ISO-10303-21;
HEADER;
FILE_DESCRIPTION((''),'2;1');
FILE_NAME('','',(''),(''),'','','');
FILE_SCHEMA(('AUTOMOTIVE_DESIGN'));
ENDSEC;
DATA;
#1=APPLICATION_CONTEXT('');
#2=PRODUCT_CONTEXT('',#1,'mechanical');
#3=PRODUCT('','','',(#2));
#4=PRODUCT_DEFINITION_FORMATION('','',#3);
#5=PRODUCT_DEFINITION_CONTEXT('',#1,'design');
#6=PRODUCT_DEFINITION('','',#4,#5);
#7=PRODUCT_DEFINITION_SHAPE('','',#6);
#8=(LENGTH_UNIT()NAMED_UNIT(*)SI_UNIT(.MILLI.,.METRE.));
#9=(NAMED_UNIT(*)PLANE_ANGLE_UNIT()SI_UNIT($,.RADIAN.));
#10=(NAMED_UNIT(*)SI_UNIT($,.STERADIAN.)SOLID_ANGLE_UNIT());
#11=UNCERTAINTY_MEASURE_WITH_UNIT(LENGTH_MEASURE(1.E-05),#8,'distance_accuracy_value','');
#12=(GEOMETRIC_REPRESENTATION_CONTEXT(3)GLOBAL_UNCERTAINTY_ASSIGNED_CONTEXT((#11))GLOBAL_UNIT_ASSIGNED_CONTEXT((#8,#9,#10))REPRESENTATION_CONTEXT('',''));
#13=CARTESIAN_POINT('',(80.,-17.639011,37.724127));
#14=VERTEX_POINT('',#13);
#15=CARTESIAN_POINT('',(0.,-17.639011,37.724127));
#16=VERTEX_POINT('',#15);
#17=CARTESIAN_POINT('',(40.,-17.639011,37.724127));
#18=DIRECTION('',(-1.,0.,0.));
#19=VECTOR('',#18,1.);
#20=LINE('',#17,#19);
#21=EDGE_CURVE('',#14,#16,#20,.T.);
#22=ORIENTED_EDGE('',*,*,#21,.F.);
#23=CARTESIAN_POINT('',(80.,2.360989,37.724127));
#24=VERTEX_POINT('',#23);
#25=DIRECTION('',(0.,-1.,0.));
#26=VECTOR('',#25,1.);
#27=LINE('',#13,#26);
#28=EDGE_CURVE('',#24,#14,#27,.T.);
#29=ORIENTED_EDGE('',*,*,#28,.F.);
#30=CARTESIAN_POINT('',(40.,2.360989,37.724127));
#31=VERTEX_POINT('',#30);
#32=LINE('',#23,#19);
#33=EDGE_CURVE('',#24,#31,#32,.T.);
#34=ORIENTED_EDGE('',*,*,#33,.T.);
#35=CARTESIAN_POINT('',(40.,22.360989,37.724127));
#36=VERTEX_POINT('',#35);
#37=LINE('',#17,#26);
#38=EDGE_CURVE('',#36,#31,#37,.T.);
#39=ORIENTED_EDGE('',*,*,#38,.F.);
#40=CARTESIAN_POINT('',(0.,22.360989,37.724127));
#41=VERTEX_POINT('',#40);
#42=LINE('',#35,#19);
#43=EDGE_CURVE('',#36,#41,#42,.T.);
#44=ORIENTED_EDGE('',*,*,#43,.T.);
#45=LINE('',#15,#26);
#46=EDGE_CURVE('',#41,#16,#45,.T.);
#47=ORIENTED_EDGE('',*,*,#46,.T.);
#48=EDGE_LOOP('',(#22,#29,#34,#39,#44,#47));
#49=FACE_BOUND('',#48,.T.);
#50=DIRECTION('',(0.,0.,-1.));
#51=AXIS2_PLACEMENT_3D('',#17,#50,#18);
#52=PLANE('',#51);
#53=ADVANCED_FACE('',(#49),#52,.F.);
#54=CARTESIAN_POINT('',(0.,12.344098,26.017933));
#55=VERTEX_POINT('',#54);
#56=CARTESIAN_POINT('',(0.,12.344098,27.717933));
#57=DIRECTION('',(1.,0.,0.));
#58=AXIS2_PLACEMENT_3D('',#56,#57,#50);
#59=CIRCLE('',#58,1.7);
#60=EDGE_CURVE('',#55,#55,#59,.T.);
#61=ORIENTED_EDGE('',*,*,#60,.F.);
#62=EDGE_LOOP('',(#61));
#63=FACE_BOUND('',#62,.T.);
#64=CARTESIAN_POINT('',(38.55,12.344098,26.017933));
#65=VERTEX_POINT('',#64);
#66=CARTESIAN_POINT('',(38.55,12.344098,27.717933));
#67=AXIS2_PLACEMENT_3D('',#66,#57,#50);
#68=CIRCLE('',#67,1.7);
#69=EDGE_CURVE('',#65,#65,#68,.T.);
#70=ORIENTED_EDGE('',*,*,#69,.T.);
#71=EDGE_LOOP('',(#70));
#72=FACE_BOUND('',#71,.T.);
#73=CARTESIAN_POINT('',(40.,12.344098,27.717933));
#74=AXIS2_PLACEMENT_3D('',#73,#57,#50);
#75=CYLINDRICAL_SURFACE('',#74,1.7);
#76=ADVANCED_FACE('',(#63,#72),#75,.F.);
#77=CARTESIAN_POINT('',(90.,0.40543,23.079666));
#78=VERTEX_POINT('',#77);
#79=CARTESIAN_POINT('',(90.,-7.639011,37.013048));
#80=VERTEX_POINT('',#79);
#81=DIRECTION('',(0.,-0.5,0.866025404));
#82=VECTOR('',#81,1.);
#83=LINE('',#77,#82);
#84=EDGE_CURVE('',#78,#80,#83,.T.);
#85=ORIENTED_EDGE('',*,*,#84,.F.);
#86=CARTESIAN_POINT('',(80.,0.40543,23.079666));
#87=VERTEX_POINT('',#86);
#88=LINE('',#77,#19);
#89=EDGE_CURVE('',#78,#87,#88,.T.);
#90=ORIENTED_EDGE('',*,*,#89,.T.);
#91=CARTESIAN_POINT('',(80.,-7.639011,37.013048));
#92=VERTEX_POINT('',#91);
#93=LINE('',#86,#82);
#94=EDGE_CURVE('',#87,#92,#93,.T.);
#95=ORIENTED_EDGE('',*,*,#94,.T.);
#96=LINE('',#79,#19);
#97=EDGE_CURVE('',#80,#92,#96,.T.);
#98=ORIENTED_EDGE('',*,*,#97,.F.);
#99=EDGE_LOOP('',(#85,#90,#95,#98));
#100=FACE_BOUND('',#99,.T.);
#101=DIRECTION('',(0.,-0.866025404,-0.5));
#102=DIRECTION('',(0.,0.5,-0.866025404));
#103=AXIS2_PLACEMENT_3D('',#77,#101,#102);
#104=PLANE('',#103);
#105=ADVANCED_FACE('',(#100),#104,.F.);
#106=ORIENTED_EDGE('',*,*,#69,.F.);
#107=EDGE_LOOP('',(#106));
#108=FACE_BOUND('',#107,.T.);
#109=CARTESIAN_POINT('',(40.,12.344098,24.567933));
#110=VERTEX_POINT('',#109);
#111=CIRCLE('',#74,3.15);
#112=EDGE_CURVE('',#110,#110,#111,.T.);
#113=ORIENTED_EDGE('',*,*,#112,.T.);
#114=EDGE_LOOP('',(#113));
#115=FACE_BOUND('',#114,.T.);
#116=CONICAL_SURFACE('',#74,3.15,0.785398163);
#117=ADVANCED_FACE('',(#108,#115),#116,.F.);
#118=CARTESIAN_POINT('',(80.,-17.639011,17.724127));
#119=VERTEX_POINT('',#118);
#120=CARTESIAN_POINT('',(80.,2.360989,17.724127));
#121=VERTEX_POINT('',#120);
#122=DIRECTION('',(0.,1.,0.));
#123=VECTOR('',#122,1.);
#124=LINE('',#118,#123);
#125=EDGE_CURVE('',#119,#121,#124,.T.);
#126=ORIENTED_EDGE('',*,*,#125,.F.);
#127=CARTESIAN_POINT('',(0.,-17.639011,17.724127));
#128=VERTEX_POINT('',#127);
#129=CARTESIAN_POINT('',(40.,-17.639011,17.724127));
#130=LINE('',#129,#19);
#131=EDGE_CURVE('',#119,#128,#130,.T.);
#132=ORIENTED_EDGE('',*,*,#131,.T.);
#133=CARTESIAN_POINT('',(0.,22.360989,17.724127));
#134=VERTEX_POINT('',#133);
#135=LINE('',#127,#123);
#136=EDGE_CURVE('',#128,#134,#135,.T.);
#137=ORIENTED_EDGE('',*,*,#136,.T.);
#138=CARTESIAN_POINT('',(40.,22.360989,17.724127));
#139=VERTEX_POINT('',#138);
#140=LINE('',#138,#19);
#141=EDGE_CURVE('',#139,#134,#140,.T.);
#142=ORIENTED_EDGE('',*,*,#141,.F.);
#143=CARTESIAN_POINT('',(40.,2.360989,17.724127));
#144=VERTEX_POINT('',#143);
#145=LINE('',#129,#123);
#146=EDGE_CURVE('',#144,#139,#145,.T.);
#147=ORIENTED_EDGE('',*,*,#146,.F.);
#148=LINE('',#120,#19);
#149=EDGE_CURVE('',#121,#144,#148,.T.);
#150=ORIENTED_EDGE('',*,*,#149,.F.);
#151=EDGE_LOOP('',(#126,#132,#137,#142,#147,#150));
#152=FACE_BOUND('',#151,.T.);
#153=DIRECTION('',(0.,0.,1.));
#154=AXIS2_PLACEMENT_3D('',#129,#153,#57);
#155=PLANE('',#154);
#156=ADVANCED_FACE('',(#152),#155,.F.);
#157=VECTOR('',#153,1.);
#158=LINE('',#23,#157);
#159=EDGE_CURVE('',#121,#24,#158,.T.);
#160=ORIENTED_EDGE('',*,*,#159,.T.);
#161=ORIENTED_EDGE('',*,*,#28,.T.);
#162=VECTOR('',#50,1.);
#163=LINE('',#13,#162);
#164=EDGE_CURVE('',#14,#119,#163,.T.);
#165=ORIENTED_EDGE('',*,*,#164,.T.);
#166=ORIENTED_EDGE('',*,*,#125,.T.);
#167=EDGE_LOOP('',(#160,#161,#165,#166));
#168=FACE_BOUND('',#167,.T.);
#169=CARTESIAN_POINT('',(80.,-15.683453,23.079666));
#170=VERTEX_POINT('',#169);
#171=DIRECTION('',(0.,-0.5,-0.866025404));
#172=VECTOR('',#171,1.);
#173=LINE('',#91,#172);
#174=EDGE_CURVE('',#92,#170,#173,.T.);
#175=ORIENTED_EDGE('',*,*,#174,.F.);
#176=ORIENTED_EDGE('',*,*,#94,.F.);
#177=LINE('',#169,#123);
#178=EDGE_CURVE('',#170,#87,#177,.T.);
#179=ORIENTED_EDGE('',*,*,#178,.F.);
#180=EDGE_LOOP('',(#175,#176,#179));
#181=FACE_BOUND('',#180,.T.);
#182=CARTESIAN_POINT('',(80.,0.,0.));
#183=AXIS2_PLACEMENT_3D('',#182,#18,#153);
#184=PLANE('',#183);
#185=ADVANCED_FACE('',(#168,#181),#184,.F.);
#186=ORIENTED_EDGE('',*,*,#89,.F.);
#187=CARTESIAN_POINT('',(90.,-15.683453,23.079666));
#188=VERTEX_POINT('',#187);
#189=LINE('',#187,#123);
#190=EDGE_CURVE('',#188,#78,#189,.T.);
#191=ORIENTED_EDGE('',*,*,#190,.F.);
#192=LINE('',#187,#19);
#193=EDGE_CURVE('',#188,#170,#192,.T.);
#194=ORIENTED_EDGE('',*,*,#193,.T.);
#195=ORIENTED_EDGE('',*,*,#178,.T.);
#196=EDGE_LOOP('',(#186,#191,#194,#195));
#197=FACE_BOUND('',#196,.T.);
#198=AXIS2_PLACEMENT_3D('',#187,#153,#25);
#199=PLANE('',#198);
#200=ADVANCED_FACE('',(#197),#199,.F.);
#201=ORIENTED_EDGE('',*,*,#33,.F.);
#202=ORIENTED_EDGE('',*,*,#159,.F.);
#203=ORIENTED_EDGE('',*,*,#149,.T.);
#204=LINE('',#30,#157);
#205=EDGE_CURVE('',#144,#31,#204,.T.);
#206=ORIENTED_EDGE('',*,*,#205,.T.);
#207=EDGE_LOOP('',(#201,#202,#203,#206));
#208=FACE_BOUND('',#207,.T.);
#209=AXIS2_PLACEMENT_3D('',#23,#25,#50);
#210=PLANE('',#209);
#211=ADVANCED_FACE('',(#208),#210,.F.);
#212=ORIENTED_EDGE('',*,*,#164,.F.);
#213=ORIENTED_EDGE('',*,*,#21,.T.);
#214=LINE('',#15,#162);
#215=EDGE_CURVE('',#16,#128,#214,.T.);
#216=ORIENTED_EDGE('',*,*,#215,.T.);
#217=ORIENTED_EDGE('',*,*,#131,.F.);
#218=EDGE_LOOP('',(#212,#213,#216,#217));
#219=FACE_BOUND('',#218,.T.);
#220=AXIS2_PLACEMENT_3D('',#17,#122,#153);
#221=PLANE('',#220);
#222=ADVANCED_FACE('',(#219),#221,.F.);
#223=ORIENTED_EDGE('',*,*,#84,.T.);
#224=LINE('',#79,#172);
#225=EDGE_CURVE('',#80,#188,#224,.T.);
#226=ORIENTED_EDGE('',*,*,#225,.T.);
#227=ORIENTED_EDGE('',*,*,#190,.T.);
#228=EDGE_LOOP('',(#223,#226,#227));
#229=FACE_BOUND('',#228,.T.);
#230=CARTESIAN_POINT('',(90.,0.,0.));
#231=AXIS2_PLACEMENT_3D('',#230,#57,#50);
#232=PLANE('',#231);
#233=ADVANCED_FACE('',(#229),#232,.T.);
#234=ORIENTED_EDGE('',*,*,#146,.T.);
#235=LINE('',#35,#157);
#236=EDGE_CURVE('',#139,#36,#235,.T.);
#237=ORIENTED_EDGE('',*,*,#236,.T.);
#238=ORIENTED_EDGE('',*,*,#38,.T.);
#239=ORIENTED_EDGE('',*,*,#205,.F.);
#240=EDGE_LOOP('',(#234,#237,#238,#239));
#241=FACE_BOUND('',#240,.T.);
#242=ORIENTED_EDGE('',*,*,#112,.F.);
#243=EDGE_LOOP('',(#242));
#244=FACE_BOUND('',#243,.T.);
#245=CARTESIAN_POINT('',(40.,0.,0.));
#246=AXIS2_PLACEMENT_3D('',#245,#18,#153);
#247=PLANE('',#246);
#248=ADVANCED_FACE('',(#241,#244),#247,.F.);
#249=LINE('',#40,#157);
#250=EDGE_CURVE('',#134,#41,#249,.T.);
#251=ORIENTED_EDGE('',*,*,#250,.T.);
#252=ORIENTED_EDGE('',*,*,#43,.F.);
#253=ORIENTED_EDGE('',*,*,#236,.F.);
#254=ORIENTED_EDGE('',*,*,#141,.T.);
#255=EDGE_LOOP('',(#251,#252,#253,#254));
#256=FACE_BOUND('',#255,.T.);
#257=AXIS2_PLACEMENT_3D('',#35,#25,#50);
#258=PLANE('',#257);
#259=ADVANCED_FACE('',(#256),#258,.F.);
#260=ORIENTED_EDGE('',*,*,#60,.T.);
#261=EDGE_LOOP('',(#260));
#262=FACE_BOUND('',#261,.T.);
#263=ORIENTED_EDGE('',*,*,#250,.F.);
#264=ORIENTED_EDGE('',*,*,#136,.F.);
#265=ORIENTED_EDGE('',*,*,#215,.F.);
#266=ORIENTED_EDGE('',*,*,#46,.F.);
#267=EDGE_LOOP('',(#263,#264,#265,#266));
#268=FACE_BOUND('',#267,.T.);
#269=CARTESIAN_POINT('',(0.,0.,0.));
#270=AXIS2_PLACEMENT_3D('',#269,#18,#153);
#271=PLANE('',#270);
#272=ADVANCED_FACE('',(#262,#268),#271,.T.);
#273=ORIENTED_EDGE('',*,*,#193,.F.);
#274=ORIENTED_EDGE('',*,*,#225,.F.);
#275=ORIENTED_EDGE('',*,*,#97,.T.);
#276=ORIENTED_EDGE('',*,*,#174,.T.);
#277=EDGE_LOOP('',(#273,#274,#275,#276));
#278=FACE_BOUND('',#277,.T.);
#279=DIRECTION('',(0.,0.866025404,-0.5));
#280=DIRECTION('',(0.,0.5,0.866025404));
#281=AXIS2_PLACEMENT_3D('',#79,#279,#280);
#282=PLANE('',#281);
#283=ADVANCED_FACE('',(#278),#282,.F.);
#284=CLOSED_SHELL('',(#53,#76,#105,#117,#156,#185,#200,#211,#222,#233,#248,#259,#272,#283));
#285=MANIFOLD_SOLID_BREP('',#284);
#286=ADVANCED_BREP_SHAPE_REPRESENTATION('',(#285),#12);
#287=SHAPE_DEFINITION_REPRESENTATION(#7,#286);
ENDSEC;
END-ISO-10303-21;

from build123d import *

# Parameters (mm, degrees)
SKETCH_1_W                  = 20
SKETCH_1_H                  = 40
EXTRUDE_1_DEPTH             = 40
SKETCH_16_W                 = 20
SKETCH_16_H                 = 20
EXTRUDE_2_DEPTH             = 40
HOLE_WIZARD_M31_D           = 3.4
HOLE_WIZARD_M31_CSINK_D     = 6.3
HOLE_WIZARD_M31_CSINK_ANGLE = 90
EXTRUDE_3_DEPTH             = 10


with BuildPart() as part:
    # Эскиз1 → Бобышка-Вытянуть1 (new body)
    with BuildSketch(Plane(origin=(0, 0, 0), x_dir=(0, 0, -1), z_dir=(1, 0, 0))):
        with Locations((-27.72412662, 2.360988518)):
            Rectangle(SKETCH_1_W, SKETCH_1_H)
    extrude(amount=EXTRUDE_1_DEPTH)

    # Эскиз16 → Бобышка-Вытянуть2 (add)
    with BuildSketch(Plane(origin=(40, 0, 0), x_dir=(0, 0, -1), z_dir=(1, 0, 0))):
        with Locations((-27.72412662, -7.639011482)):
            Rectangle(SKETCH_16_W, SKETCH_16_H)
    extrude(amount=EXTRUDE_2_DEPTH)

    # Зенковка для винта с полупотайной головкой M31 (through all)
    with Locations(Plane(origin=(40, 0, 0), x_dir=(0, 0, -1), z_dir=(1, 0, 0))):
        with Locations((-27.717933157, 12.344098424)):
            CounterSinkHole(HOLE_WIZARD_M31_D / 2, HOLE_WIZARD_M31_CSINK_D / 2, counter_sink_angle=HOLE_WIZARD_M31_CSINK_ANGLE)

    # Эскиз19 → Бобышка-Вытянуть3 (add)
    with BuildSketch(Plane(origin=(80, 0, 0), x_dir=(0, 0, -1), z_dir=(1, 0, 0))):
        Polygon((-37.01304766, -7.639011482), (-23.0796661, -15.683453077), (-23.0796661, 0.405430112), align=None)
    extrude(amount=EXTRUDE_3_DEPTH)


solid = part.part
